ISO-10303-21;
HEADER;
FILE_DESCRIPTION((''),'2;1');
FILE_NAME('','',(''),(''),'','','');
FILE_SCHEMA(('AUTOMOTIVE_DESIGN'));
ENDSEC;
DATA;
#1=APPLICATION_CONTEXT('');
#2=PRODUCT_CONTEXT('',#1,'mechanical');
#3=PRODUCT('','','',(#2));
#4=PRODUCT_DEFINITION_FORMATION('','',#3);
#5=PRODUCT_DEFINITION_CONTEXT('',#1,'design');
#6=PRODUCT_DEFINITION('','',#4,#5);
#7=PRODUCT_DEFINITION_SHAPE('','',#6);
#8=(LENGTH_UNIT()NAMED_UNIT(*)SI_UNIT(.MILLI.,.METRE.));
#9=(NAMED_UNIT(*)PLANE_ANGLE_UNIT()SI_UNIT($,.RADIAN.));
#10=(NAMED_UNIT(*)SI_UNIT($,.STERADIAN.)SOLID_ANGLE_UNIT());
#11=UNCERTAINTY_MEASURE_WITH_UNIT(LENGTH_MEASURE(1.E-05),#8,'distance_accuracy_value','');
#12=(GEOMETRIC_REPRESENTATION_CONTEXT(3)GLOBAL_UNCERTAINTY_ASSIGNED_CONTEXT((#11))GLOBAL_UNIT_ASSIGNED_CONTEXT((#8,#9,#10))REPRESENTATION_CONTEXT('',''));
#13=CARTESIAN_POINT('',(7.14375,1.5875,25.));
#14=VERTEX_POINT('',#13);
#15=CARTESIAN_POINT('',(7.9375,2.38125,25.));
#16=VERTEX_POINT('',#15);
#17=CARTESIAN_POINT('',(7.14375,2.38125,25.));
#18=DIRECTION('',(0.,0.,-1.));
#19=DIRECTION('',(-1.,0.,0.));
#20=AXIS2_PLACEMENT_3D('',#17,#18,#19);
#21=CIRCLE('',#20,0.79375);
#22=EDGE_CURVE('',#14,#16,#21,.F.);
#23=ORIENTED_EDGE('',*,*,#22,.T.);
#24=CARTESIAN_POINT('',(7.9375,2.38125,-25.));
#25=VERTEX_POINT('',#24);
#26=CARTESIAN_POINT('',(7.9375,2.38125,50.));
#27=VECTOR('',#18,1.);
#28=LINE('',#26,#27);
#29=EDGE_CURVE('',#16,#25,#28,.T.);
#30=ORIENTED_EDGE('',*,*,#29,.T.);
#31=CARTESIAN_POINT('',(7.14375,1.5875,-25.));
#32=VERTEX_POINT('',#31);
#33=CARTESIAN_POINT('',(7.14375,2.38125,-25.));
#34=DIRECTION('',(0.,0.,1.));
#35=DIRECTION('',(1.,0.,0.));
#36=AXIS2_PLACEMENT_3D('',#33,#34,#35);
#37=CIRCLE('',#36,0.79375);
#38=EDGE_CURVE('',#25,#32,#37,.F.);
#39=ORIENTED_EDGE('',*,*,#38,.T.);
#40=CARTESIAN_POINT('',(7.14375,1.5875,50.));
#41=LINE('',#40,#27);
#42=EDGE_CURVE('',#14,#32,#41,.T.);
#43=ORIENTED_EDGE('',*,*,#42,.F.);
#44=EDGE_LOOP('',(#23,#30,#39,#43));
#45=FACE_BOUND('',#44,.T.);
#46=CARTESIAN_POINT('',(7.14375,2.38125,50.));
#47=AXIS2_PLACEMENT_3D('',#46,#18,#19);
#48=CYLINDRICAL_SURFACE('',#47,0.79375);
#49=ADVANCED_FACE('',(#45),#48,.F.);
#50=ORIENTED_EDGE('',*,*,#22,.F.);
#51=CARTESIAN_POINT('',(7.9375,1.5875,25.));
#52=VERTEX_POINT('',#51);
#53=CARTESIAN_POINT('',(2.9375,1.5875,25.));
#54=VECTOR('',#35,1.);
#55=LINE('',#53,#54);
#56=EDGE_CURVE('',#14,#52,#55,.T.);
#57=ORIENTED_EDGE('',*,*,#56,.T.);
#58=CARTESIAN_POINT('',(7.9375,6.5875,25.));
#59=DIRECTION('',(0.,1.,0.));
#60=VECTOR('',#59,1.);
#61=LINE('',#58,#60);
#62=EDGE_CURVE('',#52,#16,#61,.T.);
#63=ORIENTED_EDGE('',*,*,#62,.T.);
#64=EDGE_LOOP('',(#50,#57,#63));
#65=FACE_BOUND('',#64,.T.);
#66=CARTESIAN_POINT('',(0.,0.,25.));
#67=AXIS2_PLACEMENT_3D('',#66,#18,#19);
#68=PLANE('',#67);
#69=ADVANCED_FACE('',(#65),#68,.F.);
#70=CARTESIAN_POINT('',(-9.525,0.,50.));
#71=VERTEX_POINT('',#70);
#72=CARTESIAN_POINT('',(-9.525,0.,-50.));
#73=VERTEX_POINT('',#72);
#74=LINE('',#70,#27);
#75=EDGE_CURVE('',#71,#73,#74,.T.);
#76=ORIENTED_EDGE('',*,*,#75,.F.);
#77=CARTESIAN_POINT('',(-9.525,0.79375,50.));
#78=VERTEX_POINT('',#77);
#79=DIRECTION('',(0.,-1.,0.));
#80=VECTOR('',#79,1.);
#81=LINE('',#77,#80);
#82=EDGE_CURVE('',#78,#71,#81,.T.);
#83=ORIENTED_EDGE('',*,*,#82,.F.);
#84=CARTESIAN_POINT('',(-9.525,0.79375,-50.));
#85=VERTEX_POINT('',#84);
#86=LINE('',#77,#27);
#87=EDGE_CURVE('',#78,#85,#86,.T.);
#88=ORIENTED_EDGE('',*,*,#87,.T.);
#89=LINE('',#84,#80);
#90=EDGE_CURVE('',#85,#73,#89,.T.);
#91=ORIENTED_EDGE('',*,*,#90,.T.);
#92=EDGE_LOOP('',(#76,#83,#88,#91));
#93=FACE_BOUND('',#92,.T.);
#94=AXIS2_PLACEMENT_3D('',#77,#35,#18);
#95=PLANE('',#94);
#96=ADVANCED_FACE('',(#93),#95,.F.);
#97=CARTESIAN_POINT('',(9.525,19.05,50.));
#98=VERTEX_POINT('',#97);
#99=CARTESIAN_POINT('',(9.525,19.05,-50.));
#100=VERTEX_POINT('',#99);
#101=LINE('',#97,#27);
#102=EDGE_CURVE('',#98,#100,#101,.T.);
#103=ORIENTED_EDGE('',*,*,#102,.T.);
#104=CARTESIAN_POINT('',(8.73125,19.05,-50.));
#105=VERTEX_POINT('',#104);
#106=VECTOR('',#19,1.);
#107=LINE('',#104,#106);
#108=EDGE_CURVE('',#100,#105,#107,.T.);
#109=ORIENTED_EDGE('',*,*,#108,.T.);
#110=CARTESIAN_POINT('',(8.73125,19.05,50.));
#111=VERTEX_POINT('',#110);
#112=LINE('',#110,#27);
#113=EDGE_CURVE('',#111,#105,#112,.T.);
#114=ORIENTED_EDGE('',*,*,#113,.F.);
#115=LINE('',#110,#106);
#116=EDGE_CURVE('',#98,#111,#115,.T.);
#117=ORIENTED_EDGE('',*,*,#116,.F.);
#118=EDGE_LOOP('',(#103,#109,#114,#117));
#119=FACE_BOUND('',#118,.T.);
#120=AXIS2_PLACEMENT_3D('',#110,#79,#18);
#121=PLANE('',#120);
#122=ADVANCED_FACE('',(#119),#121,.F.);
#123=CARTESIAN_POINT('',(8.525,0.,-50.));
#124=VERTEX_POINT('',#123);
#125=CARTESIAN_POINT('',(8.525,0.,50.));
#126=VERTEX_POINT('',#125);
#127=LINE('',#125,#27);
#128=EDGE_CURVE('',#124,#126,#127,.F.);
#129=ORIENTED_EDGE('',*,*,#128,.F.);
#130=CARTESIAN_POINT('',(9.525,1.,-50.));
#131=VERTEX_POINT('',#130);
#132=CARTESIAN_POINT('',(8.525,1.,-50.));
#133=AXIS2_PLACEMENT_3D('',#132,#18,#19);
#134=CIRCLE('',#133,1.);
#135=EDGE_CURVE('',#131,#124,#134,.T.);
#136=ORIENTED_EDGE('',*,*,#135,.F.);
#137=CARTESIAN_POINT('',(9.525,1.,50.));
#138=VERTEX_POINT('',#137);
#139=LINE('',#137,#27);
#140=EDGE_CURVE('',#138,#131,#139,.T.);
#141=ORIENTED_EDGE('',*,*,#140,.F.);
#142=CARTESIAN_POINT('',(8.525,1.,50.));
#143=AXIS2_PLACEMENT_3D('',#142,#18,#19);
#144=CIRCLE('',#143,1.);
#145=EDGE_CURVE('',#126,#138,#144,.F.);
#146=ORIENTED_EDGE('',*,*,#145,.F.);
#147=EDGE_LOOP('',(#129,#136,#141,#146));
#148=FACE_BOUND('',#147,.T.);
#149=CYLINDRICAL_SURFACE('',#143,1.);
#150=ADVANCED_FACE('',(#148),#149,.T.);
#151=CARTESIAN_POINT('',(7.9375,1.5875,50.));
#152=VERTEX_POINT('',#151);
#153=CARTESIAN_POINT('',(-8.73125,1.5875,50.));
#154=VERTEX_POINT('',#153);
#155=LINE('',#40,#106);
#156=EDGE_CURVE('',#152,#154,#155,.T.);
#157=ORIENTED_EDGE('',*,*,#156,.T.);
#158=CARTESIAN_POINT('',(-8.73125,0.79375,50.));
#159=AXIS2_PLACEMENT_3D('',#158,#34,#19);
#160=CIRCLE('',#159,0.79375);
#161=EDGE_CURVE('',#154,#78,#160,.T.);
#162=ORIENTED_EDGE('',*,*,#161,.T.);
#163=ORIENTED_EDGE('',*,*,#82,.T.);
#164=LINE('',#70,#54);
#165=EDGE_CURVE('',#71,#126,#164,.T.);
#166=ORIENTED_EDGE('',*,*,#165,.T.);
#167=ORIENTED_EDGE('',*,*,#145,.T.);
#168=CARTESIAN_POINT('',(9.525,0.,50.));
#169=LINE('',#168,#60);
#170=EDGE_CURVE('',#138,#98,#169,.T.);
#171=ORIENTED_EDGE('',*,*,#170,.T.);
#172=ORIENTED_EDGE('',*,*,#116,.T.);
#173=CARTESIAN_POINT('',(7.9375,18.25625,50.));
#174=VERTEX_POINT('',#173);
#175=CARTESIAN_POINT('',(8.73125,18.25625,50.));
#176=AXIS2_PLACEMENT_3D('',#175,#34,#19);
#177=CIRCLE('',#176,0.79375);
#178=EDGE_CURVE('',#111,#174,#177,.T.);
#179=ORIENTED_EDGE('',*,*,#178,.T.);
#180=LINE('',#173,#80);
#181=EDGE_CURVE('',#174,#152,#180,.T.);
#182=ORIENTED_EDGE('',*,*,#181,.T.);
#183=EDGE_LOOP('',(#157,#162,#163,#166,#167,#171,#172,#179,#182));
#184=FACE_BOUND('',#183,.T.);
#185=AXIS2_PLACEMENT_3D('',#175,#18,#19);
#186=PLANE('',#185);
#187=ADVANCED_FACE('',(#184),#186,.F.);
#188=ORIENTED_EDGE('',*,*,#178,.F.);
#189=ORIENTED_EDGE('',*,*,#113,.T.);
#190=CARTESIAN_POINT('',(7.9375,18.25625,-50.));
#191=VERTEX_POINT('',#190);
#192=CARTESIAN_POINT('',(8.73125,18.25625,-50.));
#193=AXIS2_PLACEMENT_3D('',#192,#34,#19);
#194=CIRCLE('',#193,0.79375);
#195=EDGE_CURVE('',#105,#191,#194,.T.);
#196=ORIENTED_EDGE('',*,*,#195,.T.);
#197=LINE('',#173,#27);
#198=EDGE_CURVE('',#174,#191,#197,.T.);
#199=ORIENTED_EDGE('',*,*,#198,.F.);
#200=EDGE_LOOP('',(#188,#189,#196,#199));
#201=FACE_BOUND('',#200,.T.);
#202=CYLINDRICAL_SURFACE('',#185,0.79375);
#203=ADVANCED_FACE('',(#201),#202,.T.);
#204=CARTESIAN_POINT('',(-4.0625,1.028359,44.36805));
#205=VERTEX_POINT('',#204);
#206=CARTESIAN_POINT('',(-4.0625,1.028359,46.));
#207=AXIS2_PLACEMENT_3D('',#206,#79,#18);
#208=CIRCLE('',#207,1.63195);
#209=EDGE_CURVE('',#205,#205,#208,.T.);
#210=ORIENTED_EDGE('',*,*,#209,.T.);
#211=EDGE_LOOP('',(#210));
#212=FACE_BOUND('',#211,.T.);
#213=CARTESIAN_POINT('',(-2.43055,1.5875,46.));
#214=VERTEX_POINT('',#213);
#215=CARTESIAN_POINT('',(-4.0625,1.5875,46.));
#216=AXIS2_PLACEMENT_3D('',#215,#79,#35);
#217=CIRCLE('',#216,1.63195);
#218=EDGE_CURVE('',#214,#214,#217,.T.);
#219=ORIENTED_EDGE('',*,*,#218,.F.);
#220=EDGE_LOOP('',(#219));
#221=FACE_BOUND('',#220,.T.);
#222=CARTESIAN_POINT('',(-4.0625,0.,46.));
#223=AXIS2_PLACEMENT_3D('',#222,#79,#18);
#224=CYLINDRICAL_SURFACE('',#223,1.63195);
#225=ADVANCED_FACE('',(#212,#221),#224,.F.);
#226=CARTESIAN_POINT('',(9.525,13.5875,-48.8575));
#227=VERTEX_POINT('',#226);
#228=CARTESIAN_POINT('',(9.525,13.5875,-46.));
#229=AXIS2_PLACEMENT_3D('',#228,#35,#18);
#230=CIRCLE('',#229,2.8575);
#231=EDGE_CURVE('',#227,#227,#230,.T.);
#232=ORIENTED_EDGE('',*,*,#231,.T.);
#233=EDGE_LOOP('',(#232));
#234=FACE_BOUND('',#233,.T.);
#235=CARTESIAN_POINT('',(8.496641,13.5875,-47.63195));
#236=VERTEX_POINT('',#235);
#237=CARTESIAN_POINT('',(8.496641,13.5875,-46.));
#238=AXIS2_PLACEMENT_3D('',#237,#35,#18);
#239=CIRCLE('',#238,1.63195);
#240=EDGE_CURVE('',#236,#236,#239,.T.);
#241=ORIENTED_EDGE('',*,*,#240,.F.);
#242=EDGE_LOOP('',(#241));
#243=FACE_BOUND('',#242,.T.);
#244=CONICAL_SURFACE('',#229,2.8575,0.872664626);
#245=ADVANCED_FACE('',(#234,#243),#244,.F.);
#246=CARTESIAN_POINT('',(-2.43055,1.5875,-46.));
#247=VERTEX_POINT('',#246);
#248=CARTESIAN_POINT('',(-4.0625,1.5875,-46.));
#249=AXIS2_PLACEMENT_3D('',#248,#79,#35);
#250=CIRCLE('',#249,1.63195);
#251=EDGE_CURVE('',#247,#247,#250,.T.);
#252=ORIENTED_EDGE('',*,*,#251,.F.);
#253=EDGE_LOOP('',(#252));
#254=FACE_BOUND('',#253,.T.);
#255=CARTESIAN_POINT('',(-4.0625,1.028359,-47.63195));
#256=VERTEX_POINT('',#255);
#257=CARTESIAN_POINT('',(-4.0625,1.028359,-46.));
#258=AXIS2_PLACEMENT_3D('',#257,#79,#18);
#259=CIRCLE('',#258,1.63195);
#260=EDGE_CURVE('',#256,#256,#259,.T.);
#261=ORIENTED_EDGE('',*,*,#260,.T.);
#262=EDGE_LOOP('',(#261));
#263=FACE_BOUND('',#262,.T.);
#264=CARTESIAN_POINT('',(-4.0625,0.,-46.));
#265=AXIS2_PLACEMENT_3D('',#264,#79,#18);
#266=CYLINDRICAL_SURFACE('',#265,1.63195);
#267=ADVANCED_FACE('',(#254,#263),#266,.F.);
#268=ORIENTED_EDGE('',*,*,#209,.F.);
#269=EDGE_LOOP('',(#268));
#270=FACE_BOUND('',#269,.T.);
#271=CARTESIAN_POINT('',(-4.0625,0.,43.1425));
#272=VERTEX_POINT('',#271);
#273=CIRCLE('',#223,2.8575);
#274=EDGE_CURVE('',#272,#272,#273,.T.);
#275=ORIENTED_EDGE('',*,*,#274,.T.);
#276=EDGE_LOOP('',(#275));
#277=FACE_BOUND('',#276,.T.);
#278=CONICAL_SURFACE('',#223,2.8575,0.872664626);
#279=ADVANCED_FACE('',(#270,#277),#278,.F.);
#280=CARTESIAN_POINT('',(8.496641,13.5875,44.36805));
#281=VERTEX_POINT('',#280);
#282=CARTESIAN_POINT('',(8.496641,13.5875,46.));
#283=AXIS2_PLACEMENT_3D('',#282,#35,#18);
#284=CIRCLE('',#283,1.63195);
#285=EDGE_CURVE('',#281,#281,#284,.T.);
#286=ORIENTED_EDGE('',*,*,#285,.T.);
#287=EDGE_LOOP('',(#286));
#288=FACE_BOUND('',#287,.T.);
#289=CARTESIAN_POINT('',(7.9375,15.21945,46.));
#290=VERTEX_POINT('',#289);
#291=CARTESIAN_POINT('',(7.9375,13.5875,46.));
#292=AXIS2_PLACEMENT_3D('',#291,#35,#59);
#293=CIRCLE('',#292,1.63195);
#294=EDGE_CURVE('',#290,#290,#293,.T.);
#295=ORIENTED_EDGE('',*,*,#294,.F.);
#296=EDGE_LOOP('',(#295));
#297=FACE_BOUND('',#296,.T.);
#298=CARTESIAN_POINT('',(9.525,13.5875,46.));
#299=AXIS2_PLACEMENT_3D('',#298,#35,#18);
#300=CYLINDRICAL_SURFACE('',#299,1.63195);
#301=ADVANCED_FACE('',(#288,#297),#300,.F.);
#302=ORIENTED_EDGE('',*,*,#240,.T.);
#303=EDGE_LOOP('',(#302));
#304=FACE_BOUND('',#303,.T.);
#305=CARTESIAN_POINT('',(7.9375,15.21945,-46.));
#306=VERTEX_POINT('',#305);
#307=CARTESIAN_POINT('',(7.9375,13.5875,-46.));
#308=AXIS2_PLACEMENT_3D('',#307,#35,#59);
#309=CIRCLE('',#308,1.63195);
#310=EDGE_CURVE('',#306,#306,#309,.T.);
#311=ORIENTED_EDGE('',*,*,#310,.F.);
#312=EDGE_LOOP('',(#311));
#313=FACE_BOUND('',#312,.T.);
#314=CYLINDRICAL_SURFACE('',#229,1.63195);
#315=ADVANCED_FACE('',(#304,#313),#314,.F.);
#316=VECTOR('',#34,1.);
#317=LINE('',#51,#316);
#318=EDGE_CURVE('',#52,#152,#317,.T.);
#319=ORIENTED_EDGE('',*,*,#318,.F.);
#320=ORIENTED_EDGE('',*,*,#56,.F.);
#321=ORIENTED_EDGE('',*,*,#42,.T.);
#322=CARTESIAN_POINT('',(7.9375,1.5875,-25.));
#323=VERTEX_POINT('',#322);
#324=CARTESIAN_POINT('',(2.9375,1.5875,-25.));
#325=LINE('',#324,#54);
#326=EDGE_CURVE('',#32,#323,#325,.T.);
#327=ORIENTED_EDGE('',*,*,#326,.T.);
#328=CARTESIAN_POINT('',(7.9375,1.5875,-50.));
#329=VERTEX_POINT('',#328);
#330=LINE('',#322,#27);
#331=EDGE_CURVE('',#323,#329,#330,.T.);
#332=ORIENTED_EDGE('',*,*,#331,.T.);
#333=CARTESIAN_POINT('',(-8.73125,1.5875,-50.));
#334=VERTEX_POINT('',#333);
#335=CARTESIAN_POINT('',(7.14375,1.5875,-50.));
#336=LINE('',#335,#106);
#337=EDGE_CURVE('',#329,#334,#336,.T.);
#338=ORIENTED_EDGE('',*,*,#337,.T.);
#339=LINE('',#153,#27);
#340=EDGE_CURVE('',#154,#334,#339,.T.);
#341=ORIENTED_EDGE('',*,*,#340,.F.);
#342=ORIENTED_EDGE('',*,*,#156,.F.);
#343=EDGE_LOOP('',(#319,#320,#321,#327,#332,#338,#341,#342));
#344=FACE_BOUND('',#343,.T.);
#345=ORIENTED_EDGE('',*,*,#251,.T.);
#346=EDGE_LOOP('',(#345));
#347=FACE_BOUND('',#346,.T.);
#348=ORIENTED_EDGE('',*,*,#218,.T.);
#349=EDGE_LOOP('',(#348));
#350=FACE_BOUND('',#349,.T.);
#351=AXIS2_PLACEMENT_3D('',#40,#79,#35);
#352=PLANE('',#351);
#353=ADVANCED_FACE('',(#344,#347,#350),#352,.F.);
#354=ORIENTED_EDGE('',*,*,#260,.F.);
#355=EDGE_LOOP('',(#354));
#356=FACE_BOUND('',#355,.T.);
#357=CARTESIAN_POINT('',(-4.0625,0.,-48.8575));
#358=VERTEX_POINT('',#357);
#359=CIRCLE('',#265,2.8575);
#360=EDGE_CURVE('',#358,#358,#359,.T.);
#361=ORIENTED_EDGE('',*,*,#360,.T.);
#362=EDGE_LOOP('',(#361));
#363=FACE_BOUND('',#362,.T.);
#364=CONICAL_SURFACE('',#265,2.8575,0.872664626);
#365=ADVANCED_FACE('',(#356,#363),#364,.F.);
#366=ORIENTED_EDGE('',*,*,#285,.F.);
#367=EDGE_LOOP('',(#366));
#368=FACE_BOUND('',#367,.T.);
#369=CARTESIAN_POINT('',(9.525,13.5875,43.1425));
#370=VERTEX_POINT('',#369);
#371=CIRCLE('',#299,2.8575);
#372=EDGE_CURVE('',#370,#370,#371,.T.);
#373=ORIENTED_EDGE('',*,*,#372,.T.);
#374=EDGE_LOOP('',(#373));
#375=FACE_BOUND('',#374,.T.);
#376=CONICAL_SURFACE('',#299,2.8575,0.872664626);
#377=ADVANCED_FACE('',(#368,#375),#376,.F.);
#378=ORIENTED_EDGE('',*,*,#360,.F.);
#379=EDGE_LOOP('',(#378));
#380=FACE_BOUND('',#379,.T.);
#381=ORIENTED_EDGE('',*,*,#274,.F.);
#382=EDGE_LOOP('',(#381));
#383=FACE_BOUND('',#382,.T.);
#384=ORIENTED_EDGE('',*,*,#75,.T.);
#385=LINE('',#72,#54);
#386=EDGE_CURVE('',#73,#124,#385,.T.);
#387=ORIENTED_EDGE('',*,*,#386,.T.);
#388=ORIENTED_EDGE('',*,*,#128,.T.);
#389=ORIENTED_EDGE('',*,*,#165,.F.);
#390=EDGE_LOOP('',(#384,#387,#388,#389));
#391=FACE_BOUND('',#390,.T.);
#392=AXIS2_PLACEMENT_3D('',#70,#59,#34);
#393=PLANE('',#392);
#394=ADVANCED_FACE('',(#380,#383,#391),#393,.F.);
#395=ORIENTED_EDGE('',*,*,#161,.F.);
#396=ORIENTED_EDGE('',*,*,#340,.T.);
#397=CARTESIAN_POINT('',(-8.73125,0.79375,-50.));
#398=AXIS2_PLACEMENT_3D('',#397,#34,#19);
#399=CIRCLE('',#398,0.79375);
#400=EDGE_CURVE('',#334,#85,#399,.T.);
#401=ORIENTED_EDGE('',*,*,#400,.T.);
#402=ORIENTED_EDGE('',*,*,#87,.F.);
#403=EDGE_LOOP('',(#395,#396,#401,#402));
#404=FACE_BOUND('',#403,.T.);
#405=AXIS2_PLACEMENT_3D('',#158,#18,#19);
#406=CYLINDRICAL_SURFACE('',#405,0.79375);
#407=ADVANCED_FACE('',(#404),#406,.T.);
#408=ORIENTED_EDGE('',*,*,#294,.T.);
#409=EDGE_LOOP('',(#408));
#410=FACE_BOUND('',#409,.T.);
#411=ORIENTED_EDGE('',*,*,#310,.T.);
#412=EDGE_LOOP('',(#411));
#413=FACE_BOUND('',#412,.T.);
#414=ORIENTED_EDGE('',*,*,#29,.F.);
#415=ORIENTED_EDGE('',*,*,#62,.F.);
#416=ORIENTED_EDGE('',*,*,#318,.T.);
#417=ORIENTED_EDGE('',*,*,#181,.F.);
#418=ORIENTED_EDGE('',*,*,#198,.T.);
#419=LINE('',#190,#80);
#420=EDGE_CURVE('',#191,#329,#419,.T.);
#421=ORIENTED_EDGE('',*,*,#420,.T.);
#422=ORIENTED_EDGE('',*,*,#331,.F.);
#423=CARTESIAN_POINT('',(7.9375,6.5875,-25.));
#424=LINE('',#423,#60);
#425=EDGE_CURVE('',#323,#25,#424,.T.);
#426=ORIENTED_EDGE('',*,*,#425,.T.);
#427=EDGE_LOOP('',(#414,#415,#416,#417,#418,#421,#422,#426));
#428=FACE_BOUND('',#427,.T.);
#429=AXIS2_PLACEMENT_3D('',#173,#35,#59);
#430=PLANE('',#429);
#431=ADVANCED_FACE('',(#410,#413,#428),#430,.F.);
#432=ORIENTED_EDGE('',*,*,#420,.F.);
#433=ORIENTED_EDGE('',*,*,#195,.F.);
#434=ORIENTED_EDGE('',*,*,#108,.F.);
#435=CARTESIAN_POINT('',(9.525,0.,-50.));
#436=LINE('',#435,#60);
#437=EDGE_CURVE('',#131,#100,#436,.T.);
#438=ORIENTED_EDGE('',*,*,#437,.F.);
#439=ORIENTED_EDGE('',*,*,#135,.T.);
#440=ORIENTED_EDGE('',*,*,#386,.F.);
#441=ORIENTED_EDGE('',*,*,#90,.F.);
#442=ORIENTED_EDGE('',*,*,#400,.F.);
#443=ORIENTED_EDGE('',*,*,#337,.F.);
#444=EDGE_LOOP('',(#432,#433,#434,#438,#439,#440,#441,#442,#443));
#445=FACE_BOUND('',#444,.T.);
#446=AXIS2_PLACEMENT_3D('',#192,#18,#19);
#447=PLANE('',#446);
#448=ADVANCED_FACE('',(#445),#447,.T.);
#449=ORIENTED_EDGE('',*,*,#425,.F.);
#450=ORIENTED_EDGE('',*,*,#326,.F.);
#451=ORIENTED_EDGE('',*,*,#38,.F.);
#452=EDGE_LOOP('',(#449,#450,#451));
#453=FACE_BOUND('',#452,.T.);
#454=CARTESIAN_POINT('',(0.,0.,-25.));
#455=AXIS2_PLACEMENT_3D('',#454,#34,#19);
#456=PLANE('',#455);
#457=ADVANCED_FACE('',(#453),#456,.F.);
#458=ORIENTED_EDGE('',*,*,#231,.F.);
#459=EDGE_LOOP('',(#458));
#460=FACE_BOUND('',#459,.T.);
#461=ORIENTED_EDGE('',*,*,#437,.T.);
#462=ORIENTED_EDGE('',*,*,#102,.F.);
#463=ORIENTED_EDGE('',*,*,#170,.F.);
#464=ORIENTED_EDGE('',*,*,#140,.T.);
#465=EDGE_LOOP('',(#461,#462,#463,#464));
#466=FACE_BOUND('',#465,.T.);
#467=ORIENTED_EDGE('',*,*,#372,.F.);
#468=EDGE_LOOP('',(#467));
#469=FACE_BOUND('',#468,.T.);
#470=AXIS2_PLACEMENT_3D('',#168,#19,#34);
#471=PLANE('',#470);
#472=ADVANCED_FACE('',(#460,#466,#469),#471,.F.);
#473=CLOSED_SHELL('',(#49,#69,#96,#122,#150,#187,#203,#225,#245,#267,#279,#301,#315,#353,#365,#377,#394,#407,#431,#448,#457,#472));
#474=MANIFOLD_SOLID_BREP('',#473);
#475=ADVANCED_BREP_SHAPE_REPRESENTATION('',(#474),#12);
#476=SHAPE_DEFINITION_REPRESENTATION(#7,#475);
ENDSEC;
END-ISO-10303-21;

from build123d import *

# Parameters (mm, degrees)
BOSS_EXTRUDE1_DEPTH                               = 50
CSK_FOR_4_FLAT_HEAD_MACHINE_SCREW_100_D           = 3.2639
CSK_FOR_4_FLAT_HEAD_MACHINE_SCREW_100_CSINK_D     = 5.715
CSK_FOR_4_FLAT_HEAD_MACHINE_SCREW_100_CSINK_ANGLE = 100
CSK_FOR_4_FLAT_HEAD_MACHINE_SCREW_2_D             = 3.2639
CSK_FOR_4_FLAT_HEAD_MACHINE_SCREW_2_CSINK_D       = 5.715
CSK_FOR_4_FLAT_HEAD_MACHINE_SCREW_2_CSINK_ANGLE   = 100
FILLET1_R                                         = 1
CUT_EXTRUDE1_DEPTH                                = 25


with BuildPart() as part:
    # Sketch2 → Boss-Extrude1 (new, symmetric)
    with BuildSketch(Plane.XY):
        with BuildLine():
            Line((-9.525, 0), (9.525, 0))
            Line((9.525, 0), (9.525, 19.05))
            Line((9.525, 19.05), (8.73125, 19.05))
            ThreePointArc((8.73125, 19.05), (8.169983992, 18.817516008), (7.9375, 18.25625))
            Line((7.9375, 18.25625), (7.9375, 2.38125))
            ThreePointArc((7.9375, 2.38125), (7.705016008, 1.819983992), (7.14375, 1.5875))
            Line((7.14375, 1.5875), (-8.73125, 1.5875))
            ThreePointArc((-8.73125, 1.5875), (-9.292516008, 1.355016008), (-9.525, 0.79375))
            Line((-9.525, 0.79375), (-9.525, 0))
        make_face()
    extrude(amount=BOSS_EXTRUDE1_DEPTH, both=True)

    # CSK for _4 Flat Head Machine Screw _100 (through all)
    with Locations(Plane(origin=(0, 0, 0), x_dir=(-1, 0, 0), z_dir=(0, -1, 0))):
        with Locations((4.0625, -46), (4.0625, 46)):
            CounterSinkHole(CSK_FOR_4_FLAT_HEAD_MACHINE_SCREW_100_D / 2, CSK_FOR_4_FLAT_HEAD_MACHINE_SCREW_100_CSINK_D / 2, counter_sink_angle=CSK_FOR_4_FLAT_HEAD_MACHINE_SCREW_100_CSINK_ANGLE)

    # CSK for _4 Flat Head Machine Screw _ 2 (through all)
    with Locations(Plane(origin=(9.525, 0, 0), x_dir=(0, 0, -1), z_dir=(1, 0, 0))):
        with Locations((-46, 13.5875), (46, 13.5875)):
            CounterSinkHole(CSK_FOR_4_FLAT_HEAD_MACHINE_SCREW_2_D / 2, CSK_FOR_4_FLAT_HEAD_MACHINE_SCREW_2_CSINK_D / 2, counter_sink_angle=CSK_FOR_4_FLAT_HEAD_MACHINE_SCREW_2_CSINK_ANGLE)

    # Fillet1
    fillet1_edges = [part.edges().sort_by_distance(p)[0] for p in [
        (9.525, 0, 0),
    ]]
    fillet(fillet1_edges, radius=FILLET1_R)

    # Sketch24 → Cut-Extrude1 (cut)
    with BuildSketch(Plane.XY.offset(50)):
        Polygon((2.9375, 1.5875), (7.9375, 6.5875), (7.9375, 1.5875), align=None)
    cut_extrude1 = extrude(amount=-CUT_EXTRUDE1_DEPTH, mode=Mode.SUBTRACT)

    # Mirror1: Cut-Extrude1 across plane
    add(cut_extrude1.mirror(Plane.XY), mode=Mode.SUBTRACT)


solid = part.part
